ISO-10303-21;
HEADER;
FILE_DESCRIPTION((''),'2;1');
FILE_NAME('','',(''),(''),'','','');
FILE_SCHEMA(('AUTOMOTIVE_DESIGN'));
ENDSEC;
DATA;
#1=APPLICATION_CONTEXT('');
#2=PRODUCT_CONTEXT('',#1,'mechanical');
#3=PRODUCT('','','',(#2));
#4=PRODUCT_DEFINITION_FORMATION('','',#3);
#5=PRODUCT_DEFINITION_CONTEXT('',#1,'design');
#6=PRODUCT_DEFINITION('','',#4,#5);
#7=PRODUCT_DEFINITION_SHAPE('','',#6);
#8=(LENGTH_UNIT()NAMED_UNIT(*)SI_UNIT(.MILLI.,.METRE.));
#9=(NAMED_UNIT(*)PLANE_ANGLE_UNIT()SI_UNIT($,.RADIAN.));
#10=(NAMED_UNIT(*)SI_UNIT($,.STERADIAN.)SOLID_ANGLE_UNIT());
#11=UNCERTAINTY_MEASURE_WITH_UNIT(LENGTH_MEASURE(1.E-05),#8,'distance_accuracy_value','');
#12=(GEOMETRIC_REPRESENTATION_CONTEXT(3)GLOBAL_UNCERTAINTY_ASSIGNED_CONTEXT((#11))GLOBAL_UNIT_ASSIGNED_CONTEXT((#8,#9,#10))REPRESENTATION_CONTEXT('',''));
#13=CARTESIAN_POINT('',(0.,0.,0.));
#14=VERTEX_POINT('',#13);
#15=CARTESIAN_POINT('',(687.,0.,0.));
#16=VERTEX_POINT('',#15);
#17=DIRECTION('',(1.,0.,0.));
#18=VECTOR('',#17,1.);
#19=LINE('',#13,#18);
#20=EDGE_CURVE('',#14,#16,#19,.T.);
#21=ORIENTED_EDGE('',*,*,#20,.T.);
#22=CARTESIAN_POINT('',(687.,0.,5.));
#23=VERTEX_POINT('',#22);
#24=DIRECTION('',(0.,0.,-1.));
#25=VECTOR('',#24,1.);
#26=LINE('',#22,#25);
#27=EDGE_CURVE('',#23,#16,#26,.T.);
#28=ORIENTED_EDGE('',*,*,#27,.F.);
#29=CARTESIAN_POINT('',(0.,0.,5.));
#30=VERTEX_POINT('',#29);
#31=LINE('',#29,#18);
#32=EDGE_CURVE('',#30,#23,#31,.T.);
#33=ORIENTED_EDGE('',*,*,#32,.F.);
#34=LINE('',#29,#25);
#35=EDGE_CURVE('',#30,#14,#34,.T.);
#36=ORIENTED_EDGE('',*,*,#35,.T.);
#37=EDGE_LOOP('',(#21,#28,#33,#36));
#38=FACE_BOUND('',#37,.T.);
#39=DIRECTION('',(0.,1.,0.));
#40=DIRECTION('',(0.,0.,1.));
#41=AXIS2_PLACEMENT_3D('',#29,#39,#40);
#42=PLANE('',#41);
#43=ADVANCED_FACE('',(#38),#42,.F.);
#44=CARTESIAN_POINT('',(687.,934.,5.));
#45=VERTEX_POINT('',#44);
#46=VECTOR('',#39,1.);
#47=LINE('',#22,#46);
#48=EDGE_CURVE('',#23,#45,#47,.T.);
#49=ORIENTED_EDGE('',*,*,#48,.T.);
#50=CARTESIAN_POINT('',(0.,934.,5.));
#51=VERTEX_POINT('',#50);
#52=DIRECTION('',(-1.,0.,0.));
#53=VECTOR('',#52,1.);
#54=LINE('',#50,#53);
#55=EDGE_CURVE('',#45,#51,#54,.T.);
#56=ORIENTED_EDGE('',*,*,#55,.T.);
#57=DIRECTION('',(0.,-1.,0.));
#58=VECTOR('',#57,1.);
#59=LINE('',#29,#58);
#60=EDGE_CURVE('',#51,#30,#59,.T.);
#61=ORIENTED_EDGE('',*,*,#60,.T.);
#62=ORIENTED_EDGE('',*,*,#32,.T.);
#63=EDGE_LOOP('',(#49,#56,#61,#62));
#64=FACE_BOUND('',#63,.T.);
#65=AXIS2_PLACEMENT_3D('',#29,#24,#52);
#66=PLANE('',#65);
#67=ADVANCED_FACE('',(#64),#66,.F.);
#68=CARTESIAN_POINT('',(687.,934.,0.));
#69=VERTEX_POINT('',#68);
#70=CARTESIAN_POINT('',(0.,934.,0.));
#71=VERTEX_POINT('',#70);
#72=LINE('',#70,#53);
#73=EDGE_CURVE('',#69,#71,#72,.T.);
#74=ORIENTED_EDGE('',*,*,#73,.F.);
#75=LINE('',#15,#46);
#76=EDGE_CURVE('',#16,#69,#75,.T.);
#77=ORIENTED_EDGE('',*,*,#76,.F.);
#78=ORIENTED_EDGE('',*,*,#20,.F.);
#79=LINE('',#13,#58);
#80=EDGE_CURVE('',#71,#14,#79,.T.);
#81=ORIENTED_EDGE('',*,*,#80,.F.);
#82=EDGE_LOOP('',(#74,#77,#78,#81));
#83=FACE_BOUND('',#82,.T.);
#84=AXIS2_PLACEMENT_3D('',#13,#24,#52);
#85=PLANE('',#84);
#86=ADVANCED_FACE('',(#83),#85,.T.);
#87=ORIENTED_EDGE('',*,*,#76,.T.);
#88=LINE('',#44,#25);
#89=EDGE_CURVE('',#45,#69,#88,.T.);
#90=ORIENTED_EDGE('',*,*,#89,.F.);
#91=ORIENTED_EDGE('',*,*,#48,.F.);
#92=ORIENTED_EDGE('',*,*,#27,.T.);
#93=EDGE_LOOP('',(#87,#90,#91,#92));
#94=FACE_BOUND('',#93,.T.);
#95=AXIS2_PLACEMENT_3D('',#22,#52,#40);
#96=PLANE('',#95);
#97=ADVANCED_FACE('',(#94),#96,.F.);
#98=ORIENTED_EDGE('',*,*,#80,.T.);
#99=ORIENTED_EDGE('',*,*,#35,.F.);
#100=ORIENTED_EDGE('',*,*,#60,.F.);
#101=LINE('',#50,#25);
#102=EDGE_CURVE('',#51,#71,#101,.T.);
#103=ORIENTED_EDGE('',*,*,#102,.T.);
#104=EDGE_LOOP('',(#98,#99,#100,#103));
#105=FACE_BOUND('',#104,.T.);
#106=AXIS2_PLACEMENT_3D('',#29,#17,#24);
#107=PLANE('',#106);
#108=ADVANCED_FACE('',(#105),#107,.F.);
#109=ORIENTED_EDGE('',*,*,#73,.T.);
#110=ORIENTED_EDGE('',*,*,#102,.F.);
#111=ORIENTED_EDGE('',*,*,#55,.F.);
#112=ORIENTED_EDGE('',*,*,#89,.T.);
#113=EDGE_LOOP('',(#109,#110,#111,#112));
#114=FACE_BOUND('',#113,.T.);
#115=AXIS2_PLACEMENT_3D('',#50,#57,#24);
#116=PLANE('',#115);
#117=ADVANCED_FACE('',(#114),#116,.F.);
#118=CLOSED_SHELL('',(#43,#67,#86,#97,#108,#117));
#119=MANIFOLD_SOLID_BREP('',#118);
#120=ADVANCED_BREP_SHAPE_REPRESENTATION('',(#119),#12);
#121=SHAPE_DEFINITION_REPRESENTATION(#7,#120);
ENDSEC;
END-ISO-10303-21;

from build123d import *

# Parameters (mm, degrees)
SKETCH1_W           = 687
SKETCH1_H           = 934
BOSS_EXTRUDE1_DEPTH = 5


with BuildPart() as part:
    # Sketch1 → Boss-Extrude1 (new body)
    with BuildSketch(Plane.XY):
        with Locations((343.5, 467)):
            Rectangle(SKETCH1_W, SKETCH1_H)
    extrude(amount=BOSS_EXTRUDE1_DEPTH)


solid = part.part
